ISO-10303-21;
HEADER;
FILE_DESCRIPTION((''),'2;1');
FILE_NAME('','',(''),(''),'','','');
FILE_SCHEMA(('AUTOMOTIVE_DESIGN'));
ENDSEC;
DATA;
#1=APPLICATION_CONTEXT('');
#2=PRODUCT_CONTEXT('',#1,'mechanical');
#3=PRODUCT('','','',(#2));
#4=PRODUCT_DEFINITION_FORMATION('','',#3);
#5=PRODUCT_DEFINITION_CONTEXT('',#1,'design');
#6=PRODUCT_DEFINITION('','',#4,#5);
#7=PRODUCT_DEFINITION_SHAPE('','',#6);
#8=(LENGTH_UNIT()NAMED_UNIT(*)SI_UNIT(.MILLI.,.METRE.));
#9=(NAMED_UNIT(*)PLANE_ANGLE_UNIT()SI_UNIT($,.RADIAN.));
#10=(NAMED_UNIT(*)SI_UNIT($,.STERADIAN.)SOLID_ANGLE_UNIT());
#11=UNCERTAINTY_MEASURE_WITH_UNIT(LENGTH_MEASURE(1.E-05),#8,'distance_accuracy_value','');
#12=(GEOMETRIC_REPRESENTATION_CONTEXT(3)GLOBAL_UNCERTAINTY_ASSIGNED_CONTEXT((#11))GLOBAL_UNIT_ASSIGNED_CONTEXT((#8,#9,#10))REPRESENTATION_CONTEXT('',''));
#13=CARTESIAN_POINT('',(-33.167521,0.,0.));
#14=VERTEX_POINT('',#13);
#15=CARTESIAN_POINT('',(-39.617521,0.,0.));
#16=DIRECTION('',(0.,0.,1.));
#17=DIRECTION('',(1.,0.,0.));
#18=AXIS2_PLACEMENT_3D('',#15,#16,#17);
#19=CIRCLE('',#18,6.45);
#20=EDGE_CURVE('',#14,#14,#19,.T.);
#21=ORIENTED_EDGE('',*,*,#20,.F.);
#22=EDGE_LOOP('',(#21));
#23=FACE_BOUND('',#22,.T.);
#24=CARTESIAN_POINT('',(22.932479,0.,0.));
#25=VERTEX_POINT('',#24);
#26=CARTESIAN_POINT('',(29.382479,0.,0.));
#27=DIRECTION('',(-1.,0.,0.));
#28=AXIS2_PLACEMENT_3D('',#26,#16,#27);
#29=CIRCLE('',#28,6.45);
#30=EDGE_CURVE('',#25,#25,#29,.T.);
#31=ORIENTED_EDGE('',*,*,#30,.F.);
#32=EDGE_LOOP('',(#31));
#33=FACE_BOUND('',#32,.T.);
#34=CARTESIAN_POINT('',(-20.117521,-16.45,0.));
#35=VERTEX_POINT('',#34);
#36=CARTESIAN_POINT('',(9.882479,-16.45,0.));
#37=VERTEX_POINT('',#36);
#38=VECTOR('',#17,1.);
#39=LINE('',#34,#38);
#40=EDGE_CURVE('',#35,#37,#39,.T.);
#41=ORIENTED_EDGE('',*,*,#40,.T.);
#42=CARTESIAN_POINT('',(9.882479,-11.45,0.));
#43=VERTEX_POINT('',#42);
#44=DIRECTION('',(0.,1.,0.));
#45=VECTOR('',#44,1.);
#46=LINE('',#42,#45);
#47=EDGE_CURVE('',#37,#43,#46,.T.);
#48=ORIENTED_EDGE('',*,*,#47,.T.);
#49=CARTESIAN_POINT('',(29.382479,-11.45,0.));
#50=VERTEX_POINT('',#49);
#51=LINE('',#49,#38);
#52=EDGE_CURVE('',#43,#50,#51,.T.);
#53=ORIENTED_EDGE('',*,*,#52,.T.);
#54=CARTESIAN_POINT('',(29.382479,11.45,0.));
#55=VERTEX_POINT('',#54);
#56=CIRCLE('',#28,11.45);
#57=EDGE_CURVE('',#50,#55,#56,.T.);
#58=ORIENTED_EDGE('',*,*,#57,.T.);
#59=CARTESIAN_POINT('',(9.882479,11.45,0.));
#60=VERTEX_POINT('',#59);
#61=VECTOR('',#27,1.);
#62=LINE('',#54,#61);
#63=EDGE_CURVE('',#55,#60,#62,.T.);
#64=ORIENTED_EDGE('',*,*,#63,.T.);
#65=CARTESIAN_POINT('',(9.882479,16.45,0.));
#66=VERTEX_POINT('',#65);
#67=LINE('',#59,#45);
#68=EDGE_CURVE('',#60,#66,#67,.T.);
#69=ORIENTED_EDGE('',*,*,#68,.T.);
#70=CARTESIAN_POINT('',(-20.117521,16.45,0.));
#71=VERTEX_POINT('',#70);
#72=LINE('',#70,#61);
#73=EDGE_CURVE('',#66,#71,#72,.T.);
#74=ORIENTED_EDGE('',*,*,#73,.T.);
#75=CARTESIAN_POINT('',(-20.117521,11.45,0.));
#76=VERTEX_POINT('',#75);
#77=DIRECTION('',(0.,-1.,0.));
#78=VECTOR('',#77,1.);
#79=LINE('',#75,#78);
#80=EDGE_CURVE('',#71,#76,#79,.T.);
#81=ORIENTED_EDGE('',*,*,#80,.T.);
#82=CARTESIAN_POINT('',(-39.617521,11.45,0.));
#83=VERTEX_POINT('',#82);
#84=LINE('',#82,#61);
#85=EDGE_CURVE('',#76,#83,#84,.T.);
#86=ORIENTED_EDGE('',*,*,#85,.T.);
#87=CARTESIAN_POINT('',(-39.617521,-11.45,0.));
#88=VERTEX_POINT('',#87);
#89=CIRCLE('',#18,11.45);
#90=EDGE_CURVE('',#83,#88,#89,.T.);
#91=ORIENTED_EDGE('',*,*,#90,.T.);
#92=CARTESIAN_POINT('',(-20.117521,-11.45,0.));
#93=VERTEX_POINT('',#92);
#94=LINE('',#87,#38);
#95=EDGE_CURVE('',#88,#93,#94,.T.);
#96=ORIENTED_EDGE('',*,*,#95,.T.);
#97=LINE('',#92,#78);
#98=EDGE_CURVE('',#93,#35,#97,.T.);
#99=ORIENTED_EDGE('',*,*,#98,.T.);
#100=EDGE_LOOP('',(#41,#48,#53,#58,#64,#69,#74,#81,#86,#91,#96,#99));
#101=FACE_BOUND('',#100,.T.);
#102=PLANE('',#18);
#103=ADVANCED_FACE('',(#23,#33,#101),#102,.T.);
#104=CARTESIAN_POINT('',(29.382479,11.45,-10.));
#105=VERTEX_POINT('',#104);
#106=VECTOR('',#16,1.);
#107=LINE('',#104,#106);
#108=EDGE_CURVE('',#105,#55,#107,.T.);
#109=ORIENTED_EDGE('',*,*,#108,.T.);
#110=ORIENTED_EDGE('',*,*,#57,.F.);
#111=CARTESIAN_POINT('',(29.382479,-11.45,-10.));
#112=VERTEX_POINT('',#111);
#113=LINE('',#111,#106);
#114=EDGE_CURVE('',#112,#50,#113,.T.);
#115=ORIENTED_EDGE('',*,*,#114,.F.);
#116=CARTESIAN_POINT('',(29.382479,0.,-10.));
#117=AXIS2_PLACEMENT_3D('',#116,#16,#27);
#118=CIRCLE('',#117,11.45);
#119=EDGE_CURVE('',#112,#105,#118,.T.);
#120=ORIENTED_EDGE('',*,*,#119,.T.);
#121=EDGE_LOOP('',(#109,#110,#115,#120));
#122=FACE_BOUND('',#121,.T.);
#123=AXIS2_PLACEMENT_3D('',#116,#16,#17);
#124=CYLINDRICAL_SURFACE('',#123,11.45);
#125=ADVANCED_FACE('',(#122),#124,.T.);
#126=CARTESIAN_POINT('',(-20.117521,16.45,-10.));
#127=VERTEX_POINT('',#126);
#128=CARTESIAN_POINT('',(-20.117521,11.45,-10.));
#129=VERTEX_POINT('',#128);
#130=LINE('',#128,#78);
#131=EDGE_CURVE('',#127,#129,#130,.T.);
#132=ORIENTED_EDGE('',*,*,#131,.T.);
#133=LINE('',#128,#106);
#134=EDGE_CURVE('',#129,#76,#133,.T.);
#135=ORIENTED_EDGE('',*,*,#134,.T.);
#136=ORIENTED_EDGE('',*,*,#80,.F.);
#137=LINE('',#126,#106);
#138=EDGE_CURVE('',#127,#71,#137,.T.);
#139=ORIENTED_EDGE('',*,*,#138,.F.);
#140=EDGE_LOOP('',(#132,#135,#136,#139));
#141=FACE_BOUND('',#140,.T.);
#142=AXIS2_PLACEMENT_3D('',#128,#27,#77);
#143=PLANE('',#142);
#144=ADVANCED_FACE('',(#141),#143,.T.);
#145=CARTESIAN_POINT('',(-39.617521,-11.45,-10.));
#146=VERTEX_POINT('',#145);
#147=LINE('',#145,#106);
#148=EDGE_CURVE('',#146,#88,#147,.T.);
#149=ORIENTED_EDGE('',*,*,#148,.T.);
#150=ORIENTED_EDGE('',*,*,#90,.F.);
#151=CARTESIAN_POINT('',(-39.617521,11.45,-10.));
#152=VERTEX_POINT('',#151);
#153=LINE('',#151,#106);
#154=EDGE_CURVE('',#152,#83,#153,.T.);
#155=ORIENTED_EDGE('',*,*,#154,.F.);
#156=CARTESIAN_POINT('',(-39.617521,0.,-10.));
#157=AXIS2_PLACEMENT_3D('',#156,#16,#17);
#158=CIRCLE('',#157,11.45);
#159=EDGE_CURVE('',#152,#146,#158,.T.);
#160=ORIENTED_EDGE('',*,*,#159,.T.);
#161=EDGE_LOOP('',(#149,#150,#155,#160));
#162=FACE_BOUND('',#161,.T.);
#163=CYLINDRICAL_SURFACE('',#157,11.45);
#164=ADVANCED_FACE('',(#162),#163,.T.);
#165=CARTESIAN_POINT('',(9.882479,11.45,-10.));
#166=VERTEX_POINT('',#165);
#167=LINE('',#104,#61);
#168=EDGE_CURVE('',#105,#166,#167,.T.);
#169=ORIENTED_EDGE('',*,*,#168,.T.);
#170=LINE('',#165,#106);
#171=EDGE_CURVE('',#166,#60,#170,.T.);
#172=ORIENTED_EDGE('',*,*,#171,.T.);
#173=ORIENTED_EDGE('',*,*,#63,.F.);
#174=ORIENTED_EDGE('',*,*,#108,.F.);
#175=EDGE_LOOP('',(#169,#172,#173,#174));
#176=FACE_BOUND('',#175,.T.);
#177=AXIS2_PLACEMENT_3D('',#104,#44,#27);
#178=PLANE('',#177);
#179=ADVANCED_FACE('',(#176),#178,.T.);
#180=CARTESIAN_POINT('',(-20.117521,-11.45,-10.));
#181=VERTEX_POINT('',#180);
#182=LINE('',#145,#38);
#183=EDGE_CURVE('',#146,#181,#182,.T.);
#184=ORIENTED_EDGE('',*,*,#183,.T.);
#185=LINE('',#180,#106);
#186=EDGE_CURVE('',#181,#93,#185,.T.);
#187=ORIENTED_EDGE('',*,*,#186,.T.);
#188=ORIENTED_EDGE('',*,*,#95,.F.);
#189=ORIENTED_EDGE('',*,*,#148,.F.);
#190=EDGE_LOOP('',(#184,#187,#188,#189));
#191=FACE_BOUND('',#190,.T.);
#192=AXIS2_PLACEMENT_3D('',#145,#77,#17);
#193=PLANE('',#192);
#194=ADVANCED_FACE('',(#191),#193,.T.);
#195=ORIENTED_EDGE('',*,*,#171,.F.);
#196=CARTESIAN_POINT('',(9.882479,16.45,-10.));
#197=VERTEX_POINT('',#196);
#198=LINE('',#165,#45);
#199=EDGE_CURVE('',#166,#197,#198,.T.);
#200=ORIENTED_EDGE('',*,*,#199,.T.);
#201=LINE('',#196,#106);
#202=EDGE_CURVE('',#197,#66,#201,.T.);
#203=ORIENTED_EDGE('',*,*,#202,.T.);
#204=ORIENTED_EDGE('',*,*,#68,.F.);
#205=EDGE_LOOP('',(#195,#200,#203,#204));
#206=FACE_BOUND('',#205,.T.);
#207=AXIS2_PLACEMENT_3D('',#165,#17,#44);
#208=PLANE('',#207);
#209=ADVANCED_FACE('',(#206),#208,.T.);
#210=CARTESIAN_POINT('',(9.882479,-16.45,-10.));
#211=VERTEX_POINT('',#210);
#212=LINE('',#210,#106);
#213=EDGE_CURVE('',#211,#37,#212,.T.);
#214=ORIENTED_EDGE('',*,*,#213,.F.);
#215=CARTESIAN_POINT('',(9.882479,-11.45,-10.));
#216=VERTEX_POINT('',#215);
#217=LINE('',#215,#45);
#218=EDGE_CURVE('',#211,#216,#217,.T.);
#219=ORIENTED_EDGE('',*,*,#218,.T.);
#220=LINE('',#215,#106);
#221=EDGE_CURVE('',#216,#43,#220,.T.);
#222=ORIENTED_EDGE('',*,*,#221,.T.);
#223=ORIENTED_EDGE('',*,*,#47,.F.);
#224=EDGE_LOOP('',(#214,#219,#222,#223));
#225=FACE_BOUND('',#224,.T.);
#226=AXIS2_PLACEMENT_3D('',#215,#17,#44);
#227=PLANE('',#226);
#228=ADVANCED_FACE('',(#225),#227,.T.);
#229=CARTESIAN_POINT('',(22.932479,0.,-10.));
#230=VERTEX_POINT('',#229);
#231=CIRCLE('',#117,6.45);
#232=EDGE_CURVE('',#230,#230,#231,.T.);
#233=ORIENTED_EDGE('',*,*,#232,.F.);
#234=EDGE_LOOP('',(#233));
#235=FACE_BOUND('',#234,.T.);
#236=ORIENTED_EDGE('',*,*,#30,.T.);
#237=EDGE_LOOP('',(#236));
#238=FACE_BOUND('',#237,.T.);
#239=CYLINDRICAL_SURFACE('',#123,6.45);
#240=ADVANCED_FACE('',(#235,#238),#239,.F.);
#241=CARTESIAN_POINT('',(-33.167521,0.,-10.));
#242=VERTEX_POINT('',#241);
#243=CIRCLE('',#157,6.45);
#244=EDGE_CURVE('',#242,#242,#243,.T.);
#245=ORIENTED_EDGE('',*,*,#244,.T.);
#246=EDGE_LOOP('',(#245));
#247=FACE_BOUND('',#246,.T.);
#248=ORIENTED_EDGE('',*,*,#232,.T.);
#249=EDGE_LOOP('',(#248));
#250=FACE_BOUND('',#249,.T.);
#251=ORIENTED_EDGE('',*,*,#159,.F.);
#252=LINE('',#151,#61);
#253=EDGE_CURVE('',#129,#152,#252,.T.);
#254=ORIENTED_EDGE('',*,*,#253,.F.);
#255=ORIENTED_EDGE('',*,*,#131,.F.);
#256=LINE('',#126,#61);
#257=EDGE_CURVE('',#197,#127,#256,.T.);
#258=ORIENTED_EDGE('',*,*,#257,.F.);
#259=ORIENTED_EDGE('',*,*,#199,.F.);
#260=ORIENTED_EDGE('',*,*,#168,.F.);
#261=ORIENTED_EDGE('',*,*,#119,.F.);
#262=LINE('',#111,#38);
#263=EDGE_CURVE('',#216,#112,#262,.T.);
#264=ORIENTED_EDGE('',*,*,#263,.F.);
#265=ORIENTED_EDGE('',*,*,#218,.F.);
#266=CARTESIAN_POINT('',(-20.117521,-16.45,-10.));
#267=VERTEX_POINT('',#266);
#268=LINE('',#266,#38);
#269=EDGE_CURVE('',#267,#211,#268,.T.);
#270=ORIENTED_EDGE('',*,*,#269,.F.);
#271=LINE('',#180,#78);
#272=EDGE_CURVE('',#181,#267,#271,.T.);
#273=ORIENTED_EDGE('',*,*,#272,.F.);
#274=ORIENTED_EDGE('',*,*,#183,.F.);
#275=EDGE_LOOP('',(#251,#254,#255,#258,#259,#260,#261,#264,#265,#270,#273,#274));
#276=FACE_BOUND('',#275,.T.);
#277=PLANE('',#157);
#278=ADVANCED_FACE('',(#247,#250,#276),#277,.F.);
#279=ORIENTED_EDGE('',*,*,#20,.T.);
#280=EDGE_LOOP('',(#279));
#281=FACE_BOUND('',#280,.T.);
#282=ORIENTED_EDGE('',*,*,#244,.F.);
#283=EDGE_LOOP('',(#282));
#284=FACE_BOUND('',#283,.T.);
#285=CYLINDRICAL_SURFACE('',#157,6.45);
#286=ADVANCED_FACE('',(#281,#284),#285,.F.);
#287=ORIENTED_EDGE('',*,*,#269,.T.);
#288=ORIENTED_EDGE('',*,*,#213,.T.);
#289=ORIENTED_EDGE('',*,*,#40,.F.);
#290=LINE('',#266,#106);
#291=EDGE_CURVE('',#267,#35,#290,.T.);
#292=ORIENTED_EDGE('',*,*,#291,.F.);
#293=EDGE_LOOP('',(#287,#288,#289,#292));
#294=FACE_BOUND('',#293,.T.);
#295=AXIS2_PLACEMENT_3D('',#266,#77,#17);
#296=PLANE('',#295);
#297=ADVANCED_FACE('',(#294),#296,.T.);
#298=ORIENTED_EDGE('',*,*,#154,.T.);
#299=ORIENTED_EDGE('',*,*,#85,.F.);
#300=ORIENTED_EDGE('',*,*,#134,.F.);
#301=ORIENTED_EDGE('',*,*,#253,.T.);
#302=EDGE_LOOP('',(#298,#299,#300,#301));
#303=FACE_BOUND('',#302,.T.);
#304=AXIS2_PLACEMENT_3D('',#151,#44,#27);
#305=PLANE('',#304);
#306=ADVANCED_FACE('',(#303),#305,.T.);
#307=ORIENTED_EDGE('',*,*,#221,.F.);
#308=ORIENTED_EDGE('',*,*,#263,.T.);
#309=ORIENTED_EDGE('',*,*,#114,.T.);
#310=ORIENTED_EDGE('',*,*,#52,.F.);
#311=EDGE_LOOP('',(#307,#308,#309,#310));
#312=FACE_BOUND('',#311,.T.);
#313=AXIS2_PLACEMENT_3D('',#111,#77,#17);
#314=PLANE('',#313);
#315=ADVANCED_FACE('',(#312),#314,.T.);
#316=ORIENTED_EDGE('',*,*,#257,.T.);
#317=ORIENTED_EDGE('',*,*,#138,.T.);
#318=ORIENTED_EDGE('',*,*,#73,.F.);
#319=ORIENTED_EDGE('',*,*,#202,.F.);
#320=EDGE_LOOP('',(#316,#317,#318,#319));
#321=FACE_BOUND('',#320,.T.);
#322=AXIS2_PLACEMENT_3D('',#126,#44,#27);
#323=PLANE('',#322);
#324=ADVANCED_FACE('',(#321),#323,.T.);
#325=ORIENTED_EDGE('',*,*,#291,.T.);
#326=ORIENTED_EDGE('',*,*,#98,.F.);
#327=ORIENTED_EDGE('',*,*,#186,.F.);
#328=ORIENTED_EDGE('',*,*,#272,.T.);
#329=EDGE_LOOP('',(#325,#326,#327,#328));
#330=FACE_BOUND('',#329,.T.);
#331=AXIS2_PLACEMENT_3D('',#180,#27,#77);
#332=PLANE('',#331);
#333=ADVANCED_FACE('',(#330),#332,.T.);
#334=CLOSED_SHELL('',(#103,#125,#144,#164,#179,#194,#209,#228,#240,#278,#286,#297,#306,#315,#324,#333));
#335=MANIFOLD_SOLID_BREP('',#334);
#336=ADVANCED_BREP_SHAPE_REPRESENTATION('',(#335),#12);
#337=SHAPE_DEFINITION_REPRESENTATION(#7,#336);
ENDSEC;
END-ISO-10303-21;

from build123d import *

# Parameters (mm, degrees)
SKETCH1_R           = 6.45
BOSS_EXTRUDE1_DEPTH = 10


with BuildPart() as part:
    # Sketch1 → Boss-Extrude1 (new body)
    with BuildSketch(Plane.XY):
        with BuildLine():
            Line((-39.617521433, 11.45), (-20.117521433, 11.45))
            Line((-20.117521433, 11.45), (-20.117521433, 16.45))
            Line((-20.117521433, 16.45), (9.882478567, 16.45))
            Line((9.882478567, 16.45), (9.882478567, 11.45))
            Line((9.882478567, 11.45), (29.382478567, 11.45))
            ThreePointArc((29.382478567, 11.45), (40.832478567, 0), (29.382478567, -11.45))
            Line((29.382478567, -11.45), (9.882478567, -11.45))
            Line((9.882478567, -11.45), (9.882478567, -16.45))
            Line((9.882478567, -16.45), (-20.117521433, -16.45))
            Line((-20.117521433, -16.45), (-20.117521433, -11.45))
            Line((-20.117521433, -11.45), (-39.617521433, -11.45))
            ThreePointArc((-39.617521433, -11.45), (-51.067521433, 0), (-39.617521433, 11.45))
        make_face()
        with Locations((-39.617521433, 0)):
            Circle(SKETCH1_R, mode=Mode.SUBTRACT)
        with Locations(Location((29.382478567, 0, 0), (0, 0, 180))):
            Circle(SKETCH1_R, mode=Mode.SUBTRACT)
    extrude(amount=-BOSS_EXTRUDE1_DEPTH)


solid = part.part
